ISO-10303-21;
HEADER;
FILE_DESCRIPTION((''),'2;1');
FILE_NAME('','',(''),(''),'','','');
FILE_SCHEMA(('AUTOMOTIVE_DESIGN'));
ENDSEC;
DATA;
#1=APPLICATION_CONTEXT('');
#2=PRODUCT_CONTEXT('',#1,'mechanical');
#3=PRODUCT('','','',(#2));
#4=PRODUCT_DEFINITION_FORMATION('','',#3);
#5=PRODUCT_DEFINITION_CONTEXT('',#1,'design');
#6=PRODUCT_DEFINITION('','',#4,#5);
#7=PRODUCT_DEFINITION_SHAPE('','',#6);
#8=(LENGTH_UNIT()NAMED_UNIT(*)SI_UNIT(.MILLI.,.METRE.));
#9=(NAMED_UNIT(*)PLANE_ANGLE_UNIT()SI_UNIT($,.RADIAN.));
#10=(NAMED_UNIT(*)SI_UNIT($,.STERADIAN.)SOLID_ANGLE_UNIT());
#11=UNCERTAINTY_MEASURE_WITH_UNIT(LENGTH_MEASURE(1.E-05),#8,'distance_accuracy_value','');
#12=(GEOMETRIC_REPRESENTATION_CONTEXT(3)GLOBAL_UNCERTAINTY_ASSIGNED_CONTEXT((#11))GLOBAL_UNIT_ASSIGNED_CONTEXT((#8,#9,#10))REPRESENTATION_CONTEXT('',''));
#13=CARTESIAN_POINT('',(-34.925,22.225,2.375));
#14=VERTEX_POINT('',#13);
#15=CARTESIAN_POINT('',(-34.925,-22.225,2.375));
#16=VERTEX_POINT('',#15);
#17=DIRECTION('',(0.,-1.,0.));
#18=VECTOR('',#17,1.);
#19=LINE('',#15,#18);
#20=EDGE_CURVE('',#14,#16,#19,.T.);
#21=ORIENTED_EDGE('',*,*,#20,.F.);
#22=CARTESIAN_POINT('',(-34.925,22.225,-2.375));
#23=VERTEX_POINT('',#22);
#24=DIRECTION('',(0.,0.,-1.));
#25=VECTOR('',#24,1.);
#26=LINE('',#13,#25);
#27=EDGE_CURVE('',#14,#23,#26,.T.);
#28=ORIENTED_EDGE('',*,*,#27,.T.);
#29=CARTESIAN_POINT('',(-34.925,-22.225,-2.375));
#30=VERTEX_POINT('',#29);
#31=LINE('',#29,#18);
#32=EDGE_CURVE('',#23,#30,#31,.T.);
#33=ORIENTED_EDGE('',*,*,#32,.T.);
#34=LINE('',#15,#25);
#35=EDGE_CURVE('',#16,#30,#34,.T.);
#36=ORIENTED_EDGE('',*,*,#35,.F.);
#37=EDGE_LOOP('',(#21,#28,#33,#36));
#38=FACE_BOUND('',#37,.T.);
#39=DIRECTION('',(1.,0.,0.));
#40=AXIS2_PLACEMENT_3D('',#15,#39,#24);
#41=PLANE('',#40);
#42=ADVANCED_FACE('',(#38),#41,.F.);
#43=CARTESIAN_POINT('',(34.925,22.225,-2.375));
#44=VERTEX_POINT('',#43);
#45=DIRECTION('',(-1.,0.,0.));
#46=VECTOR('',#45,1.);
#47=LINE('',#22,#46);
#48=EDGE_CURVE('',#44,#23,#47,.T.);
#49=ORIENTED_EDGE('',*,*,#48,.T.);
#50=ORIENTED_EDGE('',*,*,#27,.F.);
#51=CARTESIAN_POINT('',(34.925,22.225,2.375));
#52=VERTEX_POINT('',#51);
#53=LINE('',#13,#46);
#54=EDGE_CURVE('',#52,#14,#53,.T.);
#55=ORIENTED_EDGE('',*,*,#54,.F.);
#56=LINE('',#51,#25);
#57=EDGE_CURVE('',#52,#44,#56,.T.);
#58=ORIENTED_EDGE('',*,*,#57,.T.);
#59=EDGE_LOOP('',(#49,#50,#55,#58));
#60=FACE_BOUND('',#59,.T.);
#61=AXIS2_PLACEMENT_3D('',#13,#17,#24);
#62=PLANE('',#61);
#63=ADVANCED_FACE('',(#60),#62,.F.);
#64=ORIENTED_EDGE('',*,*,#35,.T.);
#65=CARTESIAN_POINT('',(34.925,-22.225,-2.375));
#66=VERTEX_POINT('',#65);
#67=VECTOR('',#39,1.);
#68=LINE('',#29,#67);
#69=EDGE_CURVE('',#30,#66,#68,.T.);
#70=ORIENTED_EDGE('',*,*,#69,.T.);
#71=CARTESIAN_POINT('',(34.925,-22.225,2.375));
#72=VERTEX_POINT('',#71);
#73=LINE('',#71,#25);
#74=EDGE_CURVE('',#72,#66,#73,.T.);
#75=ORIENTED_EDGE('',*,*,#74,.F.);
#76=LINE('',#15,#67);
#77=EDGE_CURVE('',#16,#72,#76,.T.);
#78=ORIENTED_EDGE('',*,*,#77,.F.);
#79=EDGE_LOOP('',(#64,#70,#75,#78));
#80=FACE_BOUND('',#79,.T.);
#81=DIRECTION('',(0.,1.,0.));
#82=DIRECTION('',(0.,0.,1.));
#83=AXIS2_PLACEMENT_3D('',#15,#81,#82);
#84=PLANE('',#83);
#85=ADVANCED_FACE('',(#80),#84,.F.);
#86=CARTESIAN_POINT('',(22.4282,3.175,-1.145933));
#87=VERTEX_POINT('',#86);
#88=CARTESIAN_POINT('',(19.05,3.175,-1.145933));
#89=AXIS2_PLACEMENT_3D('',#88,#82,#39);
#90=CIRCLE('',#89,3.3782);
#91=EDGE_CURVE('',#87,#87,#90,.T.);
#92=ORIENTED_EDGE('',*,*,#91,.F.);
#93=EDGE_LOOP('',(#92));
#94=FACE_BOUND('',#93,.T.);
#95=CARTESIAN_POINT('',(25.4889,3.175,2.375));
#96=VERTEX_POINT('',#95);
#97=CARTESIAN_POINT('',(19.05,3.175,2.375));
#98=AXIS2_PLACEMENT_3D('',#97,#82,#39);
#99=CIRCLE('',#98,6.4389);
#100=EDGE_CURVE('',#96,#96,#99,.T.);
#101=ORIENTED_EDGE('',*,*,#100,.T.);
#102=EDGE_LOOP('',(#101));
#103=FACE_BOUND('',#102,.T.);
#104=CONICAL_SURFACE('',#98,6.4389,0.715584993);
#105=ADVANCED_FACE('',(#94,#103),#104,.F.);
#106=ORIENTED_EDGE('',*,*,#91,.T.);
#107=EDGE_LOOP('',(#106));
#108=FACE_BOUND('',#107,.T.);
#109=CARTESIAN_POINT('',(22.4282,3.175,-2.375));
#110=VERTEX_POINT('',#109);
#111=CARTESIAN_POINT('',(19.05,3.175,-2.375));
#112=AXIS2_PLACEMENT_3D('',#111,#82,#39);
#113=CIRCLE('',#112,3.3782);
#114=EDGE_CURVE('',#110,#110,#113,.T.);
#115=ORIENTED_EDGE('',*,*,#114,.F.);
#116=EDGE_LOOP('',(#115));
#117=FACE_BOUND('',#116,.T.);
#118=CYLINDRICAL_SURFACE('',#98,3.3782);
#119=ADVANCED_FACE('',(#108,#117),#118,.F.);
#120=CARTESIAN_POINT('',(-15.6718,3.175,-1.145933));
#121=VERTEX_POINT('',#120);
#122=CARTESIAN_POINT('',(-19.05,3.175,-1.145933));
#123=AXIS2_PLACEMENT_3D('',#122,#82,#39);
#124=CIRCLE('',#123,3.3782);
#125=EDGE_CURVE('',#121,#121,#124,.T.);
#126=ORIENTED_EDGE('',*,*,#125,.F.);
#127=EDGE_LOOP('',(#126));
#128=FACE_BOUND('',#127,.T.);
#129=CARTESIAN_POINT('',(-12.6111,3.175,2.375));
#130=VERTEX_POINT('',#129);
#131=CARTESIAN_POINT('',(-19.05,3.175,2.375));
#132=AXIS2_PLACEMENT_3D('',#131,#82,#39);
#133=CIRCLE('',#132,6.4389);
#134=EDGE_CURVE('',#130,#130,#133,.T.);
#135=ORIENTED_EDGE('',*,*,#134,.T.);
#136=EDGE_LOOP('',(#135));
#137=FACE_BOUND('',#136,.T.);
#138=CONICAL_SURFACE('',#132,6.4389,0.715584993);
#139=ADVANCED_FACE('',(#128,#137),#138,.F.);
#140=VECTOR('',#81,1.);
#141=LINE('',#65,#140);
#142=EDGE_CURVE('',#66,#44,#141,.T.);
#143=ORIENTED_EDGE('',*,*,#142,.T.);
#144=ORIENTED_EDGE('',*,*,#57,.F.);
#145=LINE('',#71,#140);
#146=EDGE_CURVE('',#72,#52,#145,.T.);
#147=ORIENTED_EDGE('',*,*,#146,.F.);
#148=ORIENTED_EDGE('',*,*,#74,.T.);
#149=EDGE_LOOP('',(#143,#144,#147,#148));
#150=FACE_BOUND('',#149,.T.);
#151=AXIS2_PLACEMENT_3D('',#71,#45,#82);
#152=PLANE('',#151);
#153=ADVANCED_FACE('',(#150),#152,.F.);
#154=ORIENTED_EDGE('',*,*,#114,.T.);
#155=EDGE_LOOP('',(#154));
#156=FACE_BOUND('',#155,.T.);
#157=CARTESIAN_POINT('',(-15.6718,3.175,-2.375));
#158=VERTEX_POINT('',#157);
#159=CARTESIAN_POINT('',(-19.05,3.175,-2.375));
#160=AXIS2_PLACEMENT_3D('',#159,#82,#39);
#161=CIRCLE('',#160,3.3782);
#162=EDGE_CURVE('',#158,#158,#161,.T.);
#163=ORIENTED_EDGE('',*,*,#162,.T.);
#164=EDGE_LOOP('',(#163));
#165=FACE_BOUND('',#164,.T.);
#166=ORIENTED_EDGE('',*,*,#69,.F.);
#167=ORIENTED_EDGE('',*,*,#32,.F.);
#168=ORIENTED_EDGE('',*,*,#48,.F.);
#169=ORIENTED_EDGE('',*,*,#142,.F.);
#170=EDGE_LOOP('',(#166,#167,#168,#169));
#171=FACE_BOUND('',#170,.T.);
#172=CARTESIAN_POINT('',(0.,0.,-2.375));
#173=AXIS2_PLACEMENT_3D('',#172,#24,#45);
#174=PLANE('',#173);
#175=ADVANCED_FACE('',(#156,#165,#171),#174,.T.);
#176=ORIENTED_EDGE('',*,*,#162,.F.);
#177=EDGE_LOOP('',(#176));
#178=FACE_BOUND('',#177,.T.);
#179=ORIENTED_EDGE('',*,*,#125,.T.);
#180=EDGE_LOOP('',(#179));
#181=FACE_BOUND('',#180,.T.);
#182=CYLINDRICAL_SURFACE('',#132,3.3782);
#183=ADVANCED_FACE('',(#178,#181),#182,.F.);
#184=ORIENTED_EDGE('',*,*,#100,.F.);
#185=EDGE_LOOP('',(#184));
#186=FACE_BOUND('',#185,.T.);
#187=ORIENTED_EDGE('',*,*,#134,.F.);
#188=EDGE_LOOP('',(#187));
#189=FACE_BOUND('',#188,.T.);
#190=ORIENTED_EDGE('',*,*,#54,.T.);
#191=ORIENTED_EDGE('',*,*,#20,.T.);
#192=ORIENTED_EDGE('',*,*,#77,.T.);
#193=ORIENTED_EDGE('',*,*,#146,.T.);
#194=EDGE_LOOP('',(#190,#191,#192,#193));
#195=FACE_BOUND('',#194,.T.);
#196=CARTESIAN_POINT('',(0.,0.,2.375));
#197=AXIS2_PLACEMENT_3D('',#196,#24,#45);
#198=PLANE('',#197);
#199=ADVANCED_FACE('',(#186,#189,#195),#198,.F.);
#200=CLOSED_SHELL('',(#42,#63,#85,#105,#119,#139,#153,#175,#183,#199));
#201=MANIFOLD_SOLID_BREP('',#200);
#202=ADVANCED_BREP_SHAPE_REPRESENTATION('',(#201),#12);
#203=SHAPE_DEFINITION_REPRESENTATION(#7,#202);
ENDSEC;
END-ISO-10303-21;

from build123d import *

# Parameters (mm, degrees)
SKETCH1_W           = 69.85
SKETCH1_H           = 44.45
BOSS_EXTRUDE1_DEPTH = 2.375


with BuildPart() as part:
    # Sketch1 → Boss-Extrude1 (new, symmetric)
    with BuildSketch(Plane.XY):
        Rectangle(SKETCH1_W, SKETCH1_H)
    extrude(amount=BOSS_EXTRUDE1_DEPTH, both=True)

    # Sketch4 → CSK for 1/4 Flat Head Machine Screw1 (revolve, cut)
    with BuildSketch(Plane(origin=(-19.05, 3.175, 2.375), x_dir=(0, -1, 0), z_dir=(1, 0, 0))):
        Polygon((0, 0), (0, 4.75), (3.3782, 4.75), (3.3782, 3.520932584), (6.4389, 0), align=None)
    csk_for_1_4_flat_head_machine_screw1 = revolve(axis=Axis((-19.05, 3.175, 8.725), (0, 0, -1)), mode=Mode.SUBTRACT)

    # Mirror1: CSK for 1/4 Flat Head Machine Screw1 across plane
    add(csk_for_1_4_flat_head_machine_screw1.mirror(Plane(origin=(0, 0, 0), x_dir=(0, 0, 1), z_dir=(1, 0, 0))), mode=Mode.SUBTRACT)


solid = part.part
